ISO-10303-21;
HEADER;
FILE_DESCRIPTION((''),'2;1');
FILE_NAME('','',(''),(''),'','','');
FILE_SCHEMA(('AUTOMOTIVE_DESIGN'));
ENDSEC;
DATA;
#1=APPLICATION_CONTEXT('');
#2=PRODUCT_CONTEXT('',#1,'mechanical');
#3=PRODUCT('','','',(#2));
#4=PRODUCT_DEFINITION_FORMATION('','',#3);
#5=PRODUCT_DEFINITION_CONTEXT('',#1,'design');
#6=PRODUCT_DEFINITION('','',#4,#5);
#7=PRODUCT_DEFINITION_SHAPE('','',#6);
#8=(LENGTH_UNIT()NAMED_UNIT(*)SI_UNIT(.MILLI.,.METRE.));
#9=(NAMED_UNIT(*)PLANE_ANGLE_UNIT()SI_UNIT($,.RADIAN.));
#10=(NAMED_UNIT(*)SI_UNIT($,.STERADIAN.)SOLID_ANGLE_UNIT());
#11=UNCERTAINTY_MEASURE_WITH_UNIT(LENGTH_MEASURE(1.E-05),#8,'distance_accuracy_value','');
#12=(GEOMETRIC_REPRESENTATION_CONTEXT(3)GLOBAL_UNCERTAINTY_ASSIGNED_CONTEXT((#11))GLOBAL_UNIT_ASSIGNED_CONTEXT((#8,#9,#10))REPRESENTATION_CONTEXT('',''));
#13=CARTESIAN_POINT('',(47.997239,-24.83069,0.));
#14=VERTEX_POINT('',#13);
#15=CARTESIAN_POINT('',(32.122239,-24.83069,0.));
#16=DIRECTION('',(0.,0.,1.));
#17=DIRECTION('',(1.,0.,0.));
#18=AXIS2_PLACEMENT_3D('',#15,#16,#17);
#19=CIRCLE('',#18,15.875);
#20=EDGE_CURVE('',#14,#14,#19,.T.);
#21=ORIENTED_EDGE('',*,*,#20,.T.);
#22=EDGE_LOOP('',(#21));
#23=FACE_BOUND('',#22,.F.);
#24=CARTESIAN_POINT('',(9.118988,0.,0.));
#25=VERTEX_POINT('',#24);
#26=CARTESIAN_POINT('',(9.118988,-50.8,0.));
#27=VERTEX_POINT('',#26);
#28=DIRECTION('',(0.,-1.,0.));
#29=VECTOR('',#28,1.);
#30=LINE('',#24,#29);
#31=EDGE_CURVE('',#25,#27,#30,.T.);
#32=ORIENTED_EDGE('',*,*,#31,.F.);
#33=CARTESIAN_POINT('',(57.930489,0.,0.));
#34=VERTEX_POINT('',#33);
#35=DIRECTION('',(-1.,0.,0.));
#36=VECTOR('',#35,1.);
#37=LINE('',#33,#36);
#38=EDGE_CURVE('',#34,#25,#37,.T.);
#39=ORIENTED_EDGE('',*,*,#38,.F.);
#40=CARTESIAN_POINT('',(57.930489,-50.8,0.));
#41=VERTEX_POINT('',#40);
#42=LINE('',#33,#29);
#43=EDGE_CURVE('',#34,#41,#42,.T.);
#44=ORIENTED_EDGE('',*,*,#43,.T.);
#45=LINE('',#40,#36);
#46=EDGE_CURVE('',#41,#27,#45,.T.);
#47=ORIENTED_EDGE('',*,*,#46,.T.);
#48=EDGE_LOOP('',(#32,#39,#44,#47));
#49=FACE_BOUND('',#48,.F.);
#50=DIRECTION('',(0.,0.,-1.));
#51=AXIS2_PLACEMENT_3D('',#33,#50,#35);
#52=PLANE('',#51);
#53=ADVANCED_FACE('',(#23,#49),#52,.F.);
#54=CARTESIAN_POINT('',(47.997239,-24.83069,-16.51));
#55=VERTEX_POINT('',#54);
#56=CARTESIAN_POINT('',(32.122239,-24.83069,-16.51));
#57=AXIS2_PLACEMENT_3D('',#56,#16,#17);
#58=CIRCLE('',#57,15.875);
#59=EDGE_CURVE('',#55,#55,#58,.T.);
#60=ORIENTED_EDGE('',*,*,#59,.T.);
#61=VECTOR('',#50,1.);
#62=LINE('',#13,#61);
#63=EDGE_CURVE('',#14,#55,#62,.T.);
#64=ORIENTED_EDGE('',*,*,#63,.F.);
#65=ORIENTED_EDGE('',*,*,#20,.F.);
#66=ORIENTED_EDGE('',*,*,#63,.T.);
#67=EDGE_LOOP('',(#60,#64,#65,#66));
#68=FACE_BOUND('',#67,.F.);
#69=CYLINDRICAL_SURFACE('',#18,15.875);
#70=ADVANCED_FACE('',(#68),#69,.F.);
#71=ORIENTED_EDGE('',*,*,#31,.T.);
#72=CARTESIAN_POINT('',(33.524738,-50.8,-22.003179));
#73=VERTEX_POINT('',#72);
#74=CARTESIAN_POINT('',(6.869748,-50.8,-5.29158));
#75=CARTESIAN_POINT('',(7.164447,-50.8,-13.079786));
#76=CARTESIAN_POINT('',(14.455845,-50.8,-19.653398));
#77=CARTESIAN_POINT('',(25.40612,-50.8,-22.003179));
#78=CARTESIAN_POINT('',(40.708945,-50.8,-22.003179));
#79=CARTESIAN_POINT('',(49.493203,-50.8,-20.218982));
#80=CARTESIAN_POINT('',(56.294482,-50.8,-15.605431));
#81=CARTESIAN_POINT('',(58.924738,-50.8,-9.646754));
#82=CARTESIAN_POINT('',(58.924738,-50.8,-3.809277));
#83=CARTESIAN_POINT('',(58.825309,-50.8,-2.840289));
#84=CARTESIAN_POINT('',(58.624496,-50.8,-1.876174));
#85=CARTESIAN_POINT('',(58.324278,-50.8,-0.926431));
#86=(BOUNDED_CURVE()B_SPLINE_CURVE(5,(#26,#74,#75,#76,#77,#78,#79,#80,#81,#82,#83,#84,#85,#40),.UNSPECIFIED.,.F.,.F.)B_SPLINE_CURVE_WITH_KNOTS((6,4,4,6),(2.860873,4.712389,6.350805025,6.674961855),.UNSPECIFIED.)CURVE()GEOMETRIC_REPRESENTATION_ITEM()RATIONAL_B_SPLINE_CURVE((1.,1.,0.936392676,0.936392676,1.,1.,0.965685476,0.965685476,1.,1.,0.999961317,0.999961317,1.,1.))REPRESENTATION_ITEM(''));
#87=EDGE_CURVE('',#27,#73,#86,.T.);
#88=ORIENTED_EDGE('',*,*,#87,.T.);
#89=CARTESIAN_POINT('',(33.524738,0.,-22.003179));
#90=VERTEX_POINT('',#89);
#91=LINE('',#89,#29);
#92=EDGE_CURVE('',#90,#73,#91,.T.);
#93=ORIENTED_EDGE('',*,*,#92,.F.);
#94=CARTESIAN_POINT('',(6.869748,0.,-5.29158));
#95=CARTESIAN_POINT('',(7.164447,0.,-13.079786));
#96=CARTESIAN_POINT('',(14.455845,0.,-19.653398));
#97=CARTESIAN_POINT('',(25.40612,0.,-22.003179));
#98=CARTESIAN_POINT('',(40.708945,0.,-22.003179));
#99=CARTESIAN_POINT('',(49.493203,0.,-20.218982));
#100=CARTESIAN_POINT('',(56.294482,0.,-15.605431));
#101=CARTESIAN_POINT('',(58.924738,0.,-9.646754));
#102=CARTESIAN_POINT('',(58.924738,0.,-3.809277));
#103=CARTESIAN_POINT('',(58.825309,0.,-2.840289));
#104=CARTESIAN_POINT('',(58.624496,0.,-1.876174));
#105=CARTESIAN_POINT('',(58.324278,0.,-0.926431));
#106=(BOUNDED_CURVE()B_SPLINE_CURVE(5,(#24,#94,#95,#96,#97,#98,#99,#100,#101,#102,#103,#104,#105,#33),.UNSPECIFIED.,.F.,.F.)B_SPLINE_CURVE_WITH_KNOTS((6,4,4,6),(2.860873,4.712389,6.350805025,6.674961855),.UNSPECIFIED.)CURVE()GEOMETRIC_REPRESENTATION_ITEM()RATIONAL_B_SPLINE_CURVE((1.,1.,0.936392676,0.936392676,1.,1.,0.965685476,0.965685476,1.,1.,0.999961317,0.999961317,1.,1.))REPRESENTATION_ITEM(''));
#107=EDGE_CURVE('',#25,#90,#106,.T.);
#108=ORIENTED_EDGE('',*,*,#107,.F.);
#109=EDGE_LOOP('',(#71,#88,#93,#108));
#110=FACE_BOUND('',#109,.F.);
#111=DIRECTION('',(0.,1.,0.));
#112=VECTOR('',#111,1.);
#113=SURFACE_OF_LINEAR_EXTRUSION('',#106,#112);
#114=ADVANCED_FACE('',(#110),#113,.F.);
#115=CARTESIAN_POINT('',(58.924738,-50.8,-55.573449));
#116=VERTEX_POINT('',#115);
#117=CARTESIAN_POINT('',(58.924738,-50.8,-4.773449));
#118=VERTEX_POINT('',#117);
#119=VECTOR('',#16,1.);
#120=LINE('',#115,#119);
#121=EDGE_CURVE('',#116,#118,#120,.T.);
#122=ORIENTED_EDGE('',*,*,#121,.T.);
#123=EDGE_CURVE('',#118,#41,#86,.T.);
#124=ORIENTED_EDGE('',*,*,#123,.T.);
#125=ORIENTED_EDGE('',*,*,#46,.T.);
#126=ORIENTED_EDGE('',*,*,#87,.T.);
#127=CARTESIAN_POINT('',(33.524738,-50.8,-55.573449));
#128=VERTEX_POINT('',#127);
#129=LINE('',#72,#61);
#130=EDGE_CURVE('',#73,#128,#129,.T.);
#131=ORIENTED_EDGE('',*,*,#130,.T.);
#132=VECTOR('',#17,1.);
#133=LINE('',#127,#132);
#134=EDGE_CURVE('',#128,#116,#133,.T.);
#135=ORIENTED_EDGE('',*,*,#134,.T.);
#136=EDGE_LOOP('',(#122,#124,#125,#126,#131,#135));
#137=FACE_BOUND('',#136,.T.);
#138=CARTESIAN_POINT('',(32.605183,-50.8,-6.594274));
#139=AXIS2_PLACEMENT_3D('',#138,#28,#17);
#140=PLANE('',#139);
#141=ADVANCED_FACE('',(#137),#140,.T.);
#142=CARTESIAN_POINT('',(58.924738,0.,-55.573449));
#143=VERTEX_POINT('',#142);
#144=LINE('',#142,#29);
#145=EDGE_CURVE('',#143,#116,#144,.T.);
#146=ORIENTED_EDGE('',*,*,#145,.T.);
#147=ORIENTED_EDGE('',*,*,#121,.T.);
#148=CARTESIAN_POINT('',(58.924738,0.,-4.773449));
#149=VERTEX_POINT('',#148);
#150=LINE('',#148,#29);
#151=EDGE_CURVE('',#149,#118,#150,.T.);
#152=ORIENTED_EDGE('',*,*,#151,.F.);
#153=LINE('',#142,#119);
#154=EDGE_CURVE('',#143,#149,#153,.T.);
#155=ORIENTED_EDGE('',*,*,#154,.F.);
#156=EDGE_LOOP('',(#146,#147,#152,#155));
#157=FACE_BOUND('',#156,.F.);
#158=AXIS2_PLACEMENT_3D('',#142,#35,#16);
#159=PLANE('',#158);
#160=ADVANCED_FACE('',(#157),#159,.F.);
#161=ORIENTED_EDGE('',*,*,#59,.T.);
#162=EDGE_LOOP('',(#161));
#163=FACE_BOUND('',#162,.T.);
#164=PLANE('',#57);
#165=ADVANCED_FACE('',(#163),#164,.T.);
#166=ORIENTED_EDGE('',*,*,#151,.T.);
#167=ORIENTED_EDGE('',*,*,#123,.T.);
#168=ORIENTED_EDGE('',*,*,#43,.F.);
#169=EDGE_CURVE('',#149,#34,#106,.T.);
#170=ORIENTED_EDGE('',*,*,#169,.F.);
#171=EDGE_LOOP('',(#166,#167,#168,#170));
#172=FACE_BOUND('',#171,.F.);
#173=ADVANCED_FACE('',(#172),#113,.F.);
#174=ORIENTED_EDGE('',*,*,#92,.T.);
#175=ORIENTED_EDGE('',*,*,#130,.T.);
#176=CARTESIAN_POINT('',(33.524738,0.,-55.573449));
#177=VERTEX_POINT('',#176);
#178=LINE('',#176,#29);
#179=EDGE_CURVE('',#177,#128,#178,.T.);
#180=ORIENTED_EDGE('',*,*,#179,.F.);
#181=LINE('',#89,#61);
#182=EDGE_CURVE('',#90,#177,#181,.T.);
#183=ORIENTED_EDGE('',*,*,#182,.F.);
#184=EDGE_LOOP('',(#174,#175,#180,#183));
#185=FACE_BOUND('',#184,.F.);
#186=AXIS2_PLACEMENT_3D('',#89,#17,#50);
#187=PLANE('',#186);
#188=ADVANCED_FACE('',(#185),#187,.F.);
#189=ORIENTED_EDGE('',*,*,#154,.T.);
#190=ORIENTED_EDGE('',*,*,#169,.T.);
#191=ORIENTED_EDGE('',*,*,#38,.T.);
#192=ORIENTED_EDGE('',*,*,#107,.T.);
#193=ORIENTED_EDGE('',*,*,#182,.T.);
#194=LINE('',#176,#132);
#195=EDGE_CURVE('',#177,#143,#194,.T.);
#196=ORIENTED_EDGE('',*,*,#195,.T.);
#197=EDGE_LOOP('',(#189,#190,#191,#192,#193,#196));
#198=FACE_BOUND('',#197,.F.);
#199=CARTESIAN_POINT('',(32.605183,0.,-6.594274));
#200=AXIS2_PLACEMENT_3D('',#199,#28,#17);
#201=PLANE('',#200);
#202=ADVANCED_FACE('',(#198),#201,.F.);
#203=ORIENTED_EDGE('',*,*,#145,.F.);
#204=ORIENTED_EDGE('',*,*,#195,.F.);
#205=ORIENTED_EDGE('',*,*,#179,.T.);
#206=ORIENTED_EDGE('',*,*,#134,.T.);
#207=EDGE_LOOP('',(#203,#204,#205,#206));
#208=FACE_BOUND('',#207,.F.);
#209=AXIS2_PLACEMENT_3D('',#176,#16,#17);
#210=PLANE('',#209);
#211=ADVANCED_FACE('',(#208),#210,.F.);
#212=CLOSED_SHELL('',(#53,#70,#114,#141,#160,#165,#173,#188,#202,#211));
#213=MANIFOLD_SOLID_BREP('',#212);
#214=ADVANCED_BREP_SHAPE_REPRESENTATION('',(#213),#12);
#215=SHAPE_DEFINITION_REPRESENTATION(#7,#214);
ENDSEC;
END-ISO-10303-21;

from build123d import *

# Parameters (mm, degrees)
F1_DEPTH = 50.8
F2_R     = 15.875
F3_DEPTH = 16.51


with BuildPart() as f1:
    # F0 (on Front) → F1 (new body)
    with BuildSketch(Plane.XZ):
        with BuildLine():
            Line((33.524738, -22.003179), (33.524738, -4.773449))
            Line((33.524738, -4.773449), (58.924738, -4.773449))
            add(Edge.make_bspline(
                [(58.924738, -4.773449), (58.924738, -2.339079), (57.930489, 0)],
                knots=[0, 0, 0, 0.28072, 0.28072, 0.28072], degree=2, weights=[1, 0.990166, 1]))
            Line((57.930489, 0), (9.118988, 0))
            add(Edge.make_bspline(
                [(9.118988, 0), (-0.23369, -22.003179), (33.524738, -22.003179)],
                knots=[2.860873, 2.860873, 2.860873, 4.712389, 4.712389, 4.712389], degree=2, weights=[1, 0.601229, 1]))
        make_face()
        with BuildLine():
            Line((58.924738, -4.773449), (33.524738, -4.773449))
            Line((33.524738, -4.773449), (33.524738, -22.003179))
            add(Edge.make_bspline(
                [(33.524738, -22.003179), (58.924738, -22.003179), (58.924738, -4.773449)],
                knots=[4.712389, 4.712389, 4.712389, 6.283185, 6.283185, 6.283185], degree=2, weights=[1, 0.707107, 1]))
        make_face()
        with BuildLine():
            Line((58.924738, -55.573449), (58.924738, -4.773449))
            add(Edge.make_bspline(
                [(33.524738, -22.003179), (58.924738, -22.003179), (58.924738, -4.773449)],
                knots=[4.712389, 4.712389, 4.712389, 6.283185, 6.283185, 6.283185], degree=2, weights=[1, 0.707107, 1]))
            Line((33.524738, -22.003179), (33.524738, -55.573449))
            Line((33.524738, -55.573449), (58.924738, -55.573449))
        make_face()
    extrude(amount=F1_DEPTH)

    # F2 (on Top) → F3 (cut)
    with BuildSketch(Plane.XY):
        with Locations((32.122239, -24.83069)):
            Circle(F2_R)
    extrude(amount=-F3_DEPTH, mode=Mode.SUBTRACT)


solid = f1.part
